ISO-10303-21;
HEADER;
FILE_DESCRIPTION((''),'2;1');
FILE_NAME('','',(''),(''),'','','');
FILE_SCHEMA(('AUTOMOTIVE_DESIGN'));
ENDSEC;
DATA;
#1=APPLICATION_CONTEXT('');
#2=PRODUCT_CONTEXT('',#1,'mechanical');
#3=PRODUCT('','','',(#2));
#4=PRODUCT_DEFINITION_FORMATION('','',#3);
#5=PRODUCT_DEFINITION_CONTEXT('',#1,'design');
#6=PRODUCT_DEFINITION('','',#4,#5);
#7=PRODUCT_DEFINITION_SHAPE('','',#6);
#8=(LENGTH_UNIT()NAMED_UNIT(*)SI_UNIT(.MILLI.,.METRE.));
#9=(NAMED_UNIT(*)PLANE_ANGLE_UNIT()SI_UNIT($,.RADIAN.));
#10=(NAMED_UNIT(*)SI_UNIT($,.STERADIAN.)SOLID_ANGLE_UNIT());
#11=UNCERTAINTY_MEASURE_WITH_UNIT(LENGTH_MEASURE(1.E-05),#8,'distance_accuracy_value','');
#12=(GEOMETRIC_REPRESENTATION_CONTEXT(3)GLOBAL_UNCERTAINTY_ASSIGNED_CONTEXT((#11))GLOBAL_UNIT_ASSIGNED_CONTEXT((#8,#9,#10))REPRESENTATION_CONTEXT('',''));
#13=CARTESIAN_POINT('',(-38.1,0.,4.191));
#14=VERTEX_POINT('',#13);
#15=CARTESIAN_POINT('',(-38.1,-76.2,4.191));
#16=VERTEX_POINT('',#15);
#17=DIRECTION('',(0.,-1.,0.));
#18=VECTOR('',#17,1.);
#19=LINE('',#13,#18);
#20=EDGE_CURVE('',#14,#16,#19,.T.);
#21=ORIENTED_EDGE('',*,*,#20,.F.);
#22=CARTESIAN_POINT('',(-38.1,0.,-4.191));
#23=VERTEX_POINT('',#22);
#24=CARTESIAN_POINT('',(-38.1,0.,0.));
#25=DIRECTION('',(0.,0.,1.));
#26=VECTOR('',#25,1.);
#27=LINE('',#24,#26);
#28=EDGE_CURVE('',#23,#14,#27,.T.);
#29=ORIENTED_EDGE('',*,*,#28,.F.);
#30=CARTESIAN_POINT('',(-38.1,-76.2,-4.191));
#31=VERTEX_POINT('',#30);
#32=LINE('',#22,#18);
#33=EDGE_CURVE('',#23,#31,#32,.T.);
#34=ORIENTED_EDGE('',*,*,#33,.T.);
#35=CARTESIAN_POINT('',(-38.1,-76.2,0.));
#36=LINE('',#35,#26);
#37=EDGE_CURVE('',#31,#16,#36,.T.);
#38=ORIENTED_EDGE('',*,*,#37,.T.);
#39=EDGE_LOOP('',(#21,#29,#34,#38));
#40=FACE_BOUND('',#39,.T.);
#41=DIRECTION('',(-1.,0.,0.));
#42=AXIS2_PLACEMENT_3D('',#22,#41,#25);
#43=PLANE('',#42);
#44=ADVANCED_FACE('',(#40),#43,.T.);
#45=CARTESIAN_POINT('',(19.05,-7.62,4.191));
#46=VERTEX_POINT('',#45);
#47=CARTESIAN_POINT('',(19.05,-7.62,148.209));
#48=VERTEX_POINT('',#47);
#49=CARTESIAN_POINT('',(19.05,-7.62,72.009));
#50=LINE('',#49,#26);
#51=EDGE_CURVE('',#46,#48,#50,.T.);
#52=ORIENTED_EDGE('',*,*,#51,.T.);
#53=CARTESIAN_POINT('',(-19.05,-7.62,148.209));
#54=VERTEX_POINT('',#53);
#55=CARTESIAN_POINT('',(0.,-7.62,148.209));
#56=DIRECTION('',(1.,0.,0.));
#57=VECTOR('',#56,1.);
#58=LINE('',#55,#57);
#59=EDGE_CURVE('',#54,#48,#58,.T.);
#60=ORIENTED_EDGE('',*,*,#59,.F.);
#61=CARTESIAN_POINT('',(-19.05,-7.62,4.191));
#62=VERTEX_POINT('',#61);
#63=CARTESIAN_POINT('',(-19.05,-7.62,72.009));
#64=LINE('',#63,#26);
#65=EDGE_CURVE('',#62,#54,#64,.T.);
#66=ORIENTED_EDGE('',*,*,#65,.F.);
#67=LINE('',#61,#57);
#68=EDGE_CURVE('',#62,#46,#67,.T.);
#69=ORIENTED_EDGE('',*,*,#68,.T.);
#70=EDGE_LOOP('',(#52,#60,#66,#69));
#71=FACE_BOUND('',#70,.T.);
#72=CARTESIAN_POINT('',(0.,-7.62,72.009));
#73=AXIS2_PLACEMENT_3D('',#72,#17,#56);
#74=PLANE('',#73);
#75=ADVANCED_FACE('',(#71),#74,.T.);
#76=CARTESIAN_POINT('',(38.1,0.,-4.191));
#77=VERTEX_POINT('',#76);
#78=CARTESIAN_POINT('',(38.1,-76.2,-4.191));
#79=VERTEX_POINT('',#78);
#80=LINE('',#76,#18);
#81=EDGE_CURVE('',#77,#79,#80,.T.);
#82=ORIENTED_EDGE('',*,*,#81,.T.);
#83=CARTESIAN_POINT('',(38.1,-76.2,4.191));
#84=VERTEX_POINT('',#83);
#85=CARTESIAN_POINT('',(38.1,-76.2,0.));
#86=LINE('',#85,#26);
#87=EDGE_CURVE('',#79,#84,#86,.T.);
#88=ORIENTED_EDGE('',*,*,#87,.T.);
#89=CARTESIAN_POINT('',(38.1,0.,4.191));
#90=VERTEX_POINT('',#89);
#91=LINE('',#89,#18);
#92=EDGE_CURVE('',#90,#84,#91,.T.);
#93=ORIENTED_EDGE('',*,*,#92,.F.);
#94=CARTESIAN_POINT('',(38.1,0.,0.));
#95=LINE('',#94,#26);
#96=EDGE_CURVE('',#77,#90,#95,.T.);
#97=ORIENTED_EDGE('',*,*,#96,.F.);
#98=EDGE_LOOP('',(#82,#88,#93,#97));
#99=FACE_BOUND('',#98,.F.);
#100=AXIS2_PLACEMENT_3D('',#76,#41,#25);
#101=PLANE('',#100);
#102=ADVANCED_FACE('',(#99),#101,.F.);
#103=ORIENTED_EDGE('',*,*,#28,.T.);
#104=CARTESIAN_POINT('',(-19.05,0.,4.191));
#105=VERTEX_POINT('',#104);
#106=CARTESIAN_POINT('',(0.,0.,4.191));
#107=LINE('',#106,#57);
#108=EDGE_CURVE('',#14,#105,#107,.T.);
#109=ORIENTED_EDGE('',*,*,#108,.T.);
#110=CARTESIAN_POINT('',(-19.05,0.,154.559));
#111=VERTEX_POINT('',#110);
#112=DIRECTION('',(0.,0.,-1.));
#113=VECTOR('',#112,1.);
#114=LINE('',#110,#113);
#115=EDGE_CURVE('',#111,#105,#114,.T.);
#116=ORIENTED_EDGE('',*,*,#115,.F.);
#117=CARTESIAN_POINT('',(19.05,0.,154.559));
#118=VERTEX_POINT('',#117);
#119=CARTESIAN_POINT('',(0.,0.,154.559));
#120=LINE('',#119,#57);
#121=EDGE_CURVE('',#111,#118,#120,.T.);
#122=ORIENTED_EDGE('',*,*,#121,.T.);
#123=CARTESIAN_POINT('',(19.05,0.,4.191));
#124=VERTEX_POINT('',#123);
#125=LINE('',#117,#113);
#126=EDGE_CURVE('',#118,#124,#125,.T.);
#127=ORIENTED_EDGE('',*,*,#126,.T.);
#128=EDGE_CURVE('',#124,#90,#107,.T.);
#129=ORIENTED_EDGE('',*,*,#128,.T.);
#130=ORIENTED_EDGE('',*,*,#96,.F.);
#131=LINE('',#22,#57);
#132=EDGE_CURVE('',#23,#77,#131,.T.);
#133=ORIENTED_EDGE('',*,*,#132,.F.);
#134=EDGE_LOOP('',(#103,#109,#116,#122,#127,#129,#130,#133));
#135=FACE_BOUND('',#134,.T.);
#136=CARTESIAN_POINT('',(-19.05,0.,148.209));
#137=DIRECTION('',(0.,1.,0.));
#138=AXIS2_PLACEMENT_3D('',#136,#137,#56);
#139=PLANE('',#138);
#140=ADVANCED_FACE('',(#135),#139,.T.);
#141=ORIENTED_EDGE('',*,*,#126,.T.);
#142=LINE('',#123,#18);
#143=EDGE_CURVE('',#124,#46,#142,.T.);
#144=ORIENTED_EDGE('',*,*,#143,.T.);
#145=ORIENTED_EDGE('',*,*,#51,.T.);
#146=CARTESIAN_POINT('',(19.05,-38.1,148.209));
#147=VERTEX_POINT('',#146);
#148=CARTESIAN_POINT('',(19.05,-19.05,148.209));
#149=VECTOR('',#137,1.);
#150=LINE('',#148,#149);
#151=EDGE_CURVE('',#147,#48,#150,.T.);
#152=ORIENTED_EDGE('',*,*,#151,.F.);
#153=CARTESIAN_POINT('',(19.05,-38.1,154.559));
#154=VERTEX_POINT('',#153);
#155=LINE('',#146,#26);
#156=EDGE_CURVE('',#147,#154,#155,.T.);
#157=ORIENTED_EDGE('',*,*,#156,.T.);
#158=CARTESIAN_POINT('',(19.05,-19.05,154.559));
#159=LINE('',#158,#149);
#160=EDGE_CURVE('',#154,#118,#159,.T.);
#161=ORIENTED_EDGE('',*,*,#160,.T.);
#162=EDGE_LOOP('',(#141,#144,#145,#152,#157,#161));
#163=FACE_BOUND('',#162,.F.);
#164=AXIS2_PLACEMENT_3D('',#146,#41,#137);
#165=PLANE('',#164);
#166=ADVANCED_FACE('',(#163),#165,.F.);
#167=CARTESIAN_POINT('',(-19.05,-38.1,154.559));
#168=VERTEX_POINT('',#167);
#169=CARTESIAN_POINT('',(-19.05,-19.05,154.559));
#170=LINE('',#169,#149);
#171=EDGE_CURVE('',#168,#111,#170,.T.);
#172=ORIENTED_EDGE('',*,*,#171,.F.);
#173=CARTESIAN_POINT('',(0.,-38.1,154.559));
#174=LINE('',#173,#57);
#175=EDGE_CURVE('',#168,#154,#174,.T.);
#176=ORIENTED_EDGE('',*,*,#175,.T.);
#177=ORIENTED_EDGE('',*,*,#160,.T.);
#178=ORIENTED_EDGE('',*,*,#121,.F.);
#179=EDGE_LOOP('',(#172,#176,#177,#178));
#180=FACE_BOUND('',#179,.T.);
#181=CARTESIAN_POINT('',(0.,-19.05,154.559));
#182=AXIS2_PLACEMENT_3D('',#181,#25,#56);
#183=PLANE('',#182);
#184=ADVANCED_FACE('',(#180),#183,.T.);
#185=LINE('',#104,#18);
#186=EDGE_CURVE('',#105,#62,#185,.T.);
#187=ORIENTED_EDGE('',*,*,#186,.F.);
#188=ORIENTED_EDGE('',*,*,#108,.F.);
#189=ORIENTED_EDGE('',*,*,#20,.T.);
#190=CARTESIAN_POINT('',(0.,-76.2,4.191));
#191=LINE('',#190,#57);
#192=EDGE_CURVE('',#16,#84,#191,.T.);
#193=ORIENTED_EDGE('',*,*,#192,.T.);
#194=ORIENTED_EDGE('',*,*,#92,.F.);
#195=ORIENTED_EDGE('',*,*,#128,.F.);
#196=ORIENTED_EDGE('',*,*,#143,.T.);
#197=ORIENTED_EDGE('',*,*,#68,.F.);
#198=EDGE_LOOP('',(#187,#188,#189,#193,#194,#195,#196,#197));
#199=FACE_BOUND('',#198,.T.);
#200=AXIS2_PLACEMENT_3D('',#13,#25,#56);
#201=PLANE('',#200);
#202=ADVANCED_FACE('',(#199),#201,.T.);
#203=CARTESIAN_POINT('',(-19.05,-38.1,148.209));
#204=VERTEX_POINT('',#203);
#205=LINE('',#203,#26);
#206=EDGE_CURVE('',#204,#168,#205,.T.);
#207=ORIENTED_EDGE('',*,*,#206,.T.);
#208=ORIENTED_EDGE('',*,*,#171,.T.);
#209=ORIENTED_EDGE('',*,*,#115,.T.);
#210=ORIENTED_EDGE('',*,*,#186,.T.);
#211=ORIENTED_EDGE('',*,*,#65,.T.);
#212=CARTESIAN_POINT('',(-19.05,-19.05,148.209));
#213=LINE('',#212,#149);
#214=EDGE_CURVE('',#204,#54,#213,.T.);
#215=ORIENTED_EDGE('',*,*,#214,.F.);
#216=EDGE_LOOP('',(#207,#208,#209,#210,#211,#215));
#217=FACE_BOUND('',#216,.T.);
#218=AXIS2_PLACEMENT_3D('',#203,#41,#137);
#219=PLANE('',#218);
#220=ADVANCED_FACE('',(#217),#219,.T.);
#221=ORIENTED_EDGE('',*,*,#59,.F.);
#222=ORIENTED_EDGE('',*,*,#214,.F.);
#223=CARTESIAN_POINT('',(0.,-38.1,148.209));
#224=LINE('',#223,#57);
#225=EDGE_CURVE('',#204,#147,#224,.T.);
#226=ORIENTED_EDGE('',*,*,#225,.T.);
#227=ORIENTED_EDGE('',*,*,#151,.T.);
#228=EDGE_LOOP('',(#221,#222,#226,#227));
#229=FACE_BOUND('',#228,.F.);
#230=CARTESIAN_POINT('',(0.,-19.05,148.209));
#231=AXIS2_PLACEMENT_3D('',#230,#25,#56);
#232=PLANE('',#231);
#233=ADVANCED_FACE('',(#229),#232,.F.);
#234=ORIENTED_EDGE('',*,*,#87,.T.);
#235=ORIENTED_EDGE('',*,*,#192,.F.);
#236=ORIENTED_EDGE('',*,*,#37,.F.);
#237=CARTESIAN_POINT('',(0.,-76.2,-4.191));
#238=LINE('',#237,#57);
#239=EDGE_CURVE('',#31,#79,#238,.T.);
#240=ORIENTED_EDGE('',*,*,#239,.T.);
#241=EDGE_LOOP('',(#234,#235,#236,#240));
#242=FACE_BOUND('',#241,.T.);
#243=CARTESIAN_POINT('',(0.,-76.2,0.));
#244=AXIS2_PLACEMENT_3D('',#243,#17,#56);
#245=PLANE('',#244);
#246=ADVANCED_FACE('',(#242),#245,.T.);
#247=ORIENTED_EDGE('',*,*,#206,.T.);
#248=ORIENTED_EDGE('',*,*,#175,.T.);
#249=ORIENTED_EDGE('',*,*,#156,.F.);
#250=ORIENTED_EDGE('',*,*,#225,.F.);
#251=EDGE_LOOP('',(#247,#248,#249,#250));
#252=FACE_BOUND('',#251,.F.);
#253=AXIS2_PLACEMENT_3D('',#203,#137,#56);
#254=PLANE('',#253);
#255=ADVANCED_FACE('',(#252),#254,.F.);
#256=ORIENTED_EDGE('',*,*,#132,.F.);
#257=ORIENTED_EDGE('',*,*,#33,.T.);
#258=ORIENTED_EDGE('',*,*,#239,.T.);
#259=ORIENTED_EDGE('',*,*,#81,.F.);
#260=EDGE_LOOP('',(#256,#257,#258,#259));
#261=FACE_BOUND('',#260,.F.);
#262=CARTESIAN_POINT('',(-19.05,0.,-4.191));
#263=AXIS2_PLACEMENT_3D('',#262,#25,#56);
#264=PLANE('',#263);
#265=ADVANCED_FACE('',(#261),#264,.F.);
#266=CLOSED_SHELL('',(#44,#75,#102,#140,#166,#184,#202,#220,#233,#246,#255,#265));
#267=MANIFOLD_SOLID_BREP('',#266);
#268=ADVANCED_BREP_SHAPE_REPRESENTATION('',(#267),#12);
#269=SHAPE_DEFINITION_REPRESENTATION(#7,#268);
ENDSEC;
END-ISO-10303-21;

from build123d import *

# Parameters (mm, degrees)
F0_W     = 76.2
F0_H     = 8.382
F1_DEPTH = 76.2
F2_W     = 38.1
F2_H     = 152.4
F3_DEPTH = 7.62
F4_W     = 38.1
F4_H     = 38.1
F5_DEPTH = 6.35


with BuildPart() as f1:
    # F0 (on Front) → F1 (new body)
    with BuildSketch(Plane.XZ):
        Rectangle(F0_W, F0_H)
    extrude(amount=F1_DEPTH)

    # F2 (on Front) → F3 (join)
    with BuildSketch(Plane.XZ):
        with Locations((0, 72.009)):
            Rectangle(F2_W, F2_H)
    extrude(amount=F3_DEPTH)

    # F4 (on face) → F5 (join)
    with BuildSketch(Plane.XY.offset(148.209)):
        with Locations((0, -19.05)):
            Rectangle(F4_W, F4_H)
    extrude(amount=F5_DEPTH)


solid = f1.part
